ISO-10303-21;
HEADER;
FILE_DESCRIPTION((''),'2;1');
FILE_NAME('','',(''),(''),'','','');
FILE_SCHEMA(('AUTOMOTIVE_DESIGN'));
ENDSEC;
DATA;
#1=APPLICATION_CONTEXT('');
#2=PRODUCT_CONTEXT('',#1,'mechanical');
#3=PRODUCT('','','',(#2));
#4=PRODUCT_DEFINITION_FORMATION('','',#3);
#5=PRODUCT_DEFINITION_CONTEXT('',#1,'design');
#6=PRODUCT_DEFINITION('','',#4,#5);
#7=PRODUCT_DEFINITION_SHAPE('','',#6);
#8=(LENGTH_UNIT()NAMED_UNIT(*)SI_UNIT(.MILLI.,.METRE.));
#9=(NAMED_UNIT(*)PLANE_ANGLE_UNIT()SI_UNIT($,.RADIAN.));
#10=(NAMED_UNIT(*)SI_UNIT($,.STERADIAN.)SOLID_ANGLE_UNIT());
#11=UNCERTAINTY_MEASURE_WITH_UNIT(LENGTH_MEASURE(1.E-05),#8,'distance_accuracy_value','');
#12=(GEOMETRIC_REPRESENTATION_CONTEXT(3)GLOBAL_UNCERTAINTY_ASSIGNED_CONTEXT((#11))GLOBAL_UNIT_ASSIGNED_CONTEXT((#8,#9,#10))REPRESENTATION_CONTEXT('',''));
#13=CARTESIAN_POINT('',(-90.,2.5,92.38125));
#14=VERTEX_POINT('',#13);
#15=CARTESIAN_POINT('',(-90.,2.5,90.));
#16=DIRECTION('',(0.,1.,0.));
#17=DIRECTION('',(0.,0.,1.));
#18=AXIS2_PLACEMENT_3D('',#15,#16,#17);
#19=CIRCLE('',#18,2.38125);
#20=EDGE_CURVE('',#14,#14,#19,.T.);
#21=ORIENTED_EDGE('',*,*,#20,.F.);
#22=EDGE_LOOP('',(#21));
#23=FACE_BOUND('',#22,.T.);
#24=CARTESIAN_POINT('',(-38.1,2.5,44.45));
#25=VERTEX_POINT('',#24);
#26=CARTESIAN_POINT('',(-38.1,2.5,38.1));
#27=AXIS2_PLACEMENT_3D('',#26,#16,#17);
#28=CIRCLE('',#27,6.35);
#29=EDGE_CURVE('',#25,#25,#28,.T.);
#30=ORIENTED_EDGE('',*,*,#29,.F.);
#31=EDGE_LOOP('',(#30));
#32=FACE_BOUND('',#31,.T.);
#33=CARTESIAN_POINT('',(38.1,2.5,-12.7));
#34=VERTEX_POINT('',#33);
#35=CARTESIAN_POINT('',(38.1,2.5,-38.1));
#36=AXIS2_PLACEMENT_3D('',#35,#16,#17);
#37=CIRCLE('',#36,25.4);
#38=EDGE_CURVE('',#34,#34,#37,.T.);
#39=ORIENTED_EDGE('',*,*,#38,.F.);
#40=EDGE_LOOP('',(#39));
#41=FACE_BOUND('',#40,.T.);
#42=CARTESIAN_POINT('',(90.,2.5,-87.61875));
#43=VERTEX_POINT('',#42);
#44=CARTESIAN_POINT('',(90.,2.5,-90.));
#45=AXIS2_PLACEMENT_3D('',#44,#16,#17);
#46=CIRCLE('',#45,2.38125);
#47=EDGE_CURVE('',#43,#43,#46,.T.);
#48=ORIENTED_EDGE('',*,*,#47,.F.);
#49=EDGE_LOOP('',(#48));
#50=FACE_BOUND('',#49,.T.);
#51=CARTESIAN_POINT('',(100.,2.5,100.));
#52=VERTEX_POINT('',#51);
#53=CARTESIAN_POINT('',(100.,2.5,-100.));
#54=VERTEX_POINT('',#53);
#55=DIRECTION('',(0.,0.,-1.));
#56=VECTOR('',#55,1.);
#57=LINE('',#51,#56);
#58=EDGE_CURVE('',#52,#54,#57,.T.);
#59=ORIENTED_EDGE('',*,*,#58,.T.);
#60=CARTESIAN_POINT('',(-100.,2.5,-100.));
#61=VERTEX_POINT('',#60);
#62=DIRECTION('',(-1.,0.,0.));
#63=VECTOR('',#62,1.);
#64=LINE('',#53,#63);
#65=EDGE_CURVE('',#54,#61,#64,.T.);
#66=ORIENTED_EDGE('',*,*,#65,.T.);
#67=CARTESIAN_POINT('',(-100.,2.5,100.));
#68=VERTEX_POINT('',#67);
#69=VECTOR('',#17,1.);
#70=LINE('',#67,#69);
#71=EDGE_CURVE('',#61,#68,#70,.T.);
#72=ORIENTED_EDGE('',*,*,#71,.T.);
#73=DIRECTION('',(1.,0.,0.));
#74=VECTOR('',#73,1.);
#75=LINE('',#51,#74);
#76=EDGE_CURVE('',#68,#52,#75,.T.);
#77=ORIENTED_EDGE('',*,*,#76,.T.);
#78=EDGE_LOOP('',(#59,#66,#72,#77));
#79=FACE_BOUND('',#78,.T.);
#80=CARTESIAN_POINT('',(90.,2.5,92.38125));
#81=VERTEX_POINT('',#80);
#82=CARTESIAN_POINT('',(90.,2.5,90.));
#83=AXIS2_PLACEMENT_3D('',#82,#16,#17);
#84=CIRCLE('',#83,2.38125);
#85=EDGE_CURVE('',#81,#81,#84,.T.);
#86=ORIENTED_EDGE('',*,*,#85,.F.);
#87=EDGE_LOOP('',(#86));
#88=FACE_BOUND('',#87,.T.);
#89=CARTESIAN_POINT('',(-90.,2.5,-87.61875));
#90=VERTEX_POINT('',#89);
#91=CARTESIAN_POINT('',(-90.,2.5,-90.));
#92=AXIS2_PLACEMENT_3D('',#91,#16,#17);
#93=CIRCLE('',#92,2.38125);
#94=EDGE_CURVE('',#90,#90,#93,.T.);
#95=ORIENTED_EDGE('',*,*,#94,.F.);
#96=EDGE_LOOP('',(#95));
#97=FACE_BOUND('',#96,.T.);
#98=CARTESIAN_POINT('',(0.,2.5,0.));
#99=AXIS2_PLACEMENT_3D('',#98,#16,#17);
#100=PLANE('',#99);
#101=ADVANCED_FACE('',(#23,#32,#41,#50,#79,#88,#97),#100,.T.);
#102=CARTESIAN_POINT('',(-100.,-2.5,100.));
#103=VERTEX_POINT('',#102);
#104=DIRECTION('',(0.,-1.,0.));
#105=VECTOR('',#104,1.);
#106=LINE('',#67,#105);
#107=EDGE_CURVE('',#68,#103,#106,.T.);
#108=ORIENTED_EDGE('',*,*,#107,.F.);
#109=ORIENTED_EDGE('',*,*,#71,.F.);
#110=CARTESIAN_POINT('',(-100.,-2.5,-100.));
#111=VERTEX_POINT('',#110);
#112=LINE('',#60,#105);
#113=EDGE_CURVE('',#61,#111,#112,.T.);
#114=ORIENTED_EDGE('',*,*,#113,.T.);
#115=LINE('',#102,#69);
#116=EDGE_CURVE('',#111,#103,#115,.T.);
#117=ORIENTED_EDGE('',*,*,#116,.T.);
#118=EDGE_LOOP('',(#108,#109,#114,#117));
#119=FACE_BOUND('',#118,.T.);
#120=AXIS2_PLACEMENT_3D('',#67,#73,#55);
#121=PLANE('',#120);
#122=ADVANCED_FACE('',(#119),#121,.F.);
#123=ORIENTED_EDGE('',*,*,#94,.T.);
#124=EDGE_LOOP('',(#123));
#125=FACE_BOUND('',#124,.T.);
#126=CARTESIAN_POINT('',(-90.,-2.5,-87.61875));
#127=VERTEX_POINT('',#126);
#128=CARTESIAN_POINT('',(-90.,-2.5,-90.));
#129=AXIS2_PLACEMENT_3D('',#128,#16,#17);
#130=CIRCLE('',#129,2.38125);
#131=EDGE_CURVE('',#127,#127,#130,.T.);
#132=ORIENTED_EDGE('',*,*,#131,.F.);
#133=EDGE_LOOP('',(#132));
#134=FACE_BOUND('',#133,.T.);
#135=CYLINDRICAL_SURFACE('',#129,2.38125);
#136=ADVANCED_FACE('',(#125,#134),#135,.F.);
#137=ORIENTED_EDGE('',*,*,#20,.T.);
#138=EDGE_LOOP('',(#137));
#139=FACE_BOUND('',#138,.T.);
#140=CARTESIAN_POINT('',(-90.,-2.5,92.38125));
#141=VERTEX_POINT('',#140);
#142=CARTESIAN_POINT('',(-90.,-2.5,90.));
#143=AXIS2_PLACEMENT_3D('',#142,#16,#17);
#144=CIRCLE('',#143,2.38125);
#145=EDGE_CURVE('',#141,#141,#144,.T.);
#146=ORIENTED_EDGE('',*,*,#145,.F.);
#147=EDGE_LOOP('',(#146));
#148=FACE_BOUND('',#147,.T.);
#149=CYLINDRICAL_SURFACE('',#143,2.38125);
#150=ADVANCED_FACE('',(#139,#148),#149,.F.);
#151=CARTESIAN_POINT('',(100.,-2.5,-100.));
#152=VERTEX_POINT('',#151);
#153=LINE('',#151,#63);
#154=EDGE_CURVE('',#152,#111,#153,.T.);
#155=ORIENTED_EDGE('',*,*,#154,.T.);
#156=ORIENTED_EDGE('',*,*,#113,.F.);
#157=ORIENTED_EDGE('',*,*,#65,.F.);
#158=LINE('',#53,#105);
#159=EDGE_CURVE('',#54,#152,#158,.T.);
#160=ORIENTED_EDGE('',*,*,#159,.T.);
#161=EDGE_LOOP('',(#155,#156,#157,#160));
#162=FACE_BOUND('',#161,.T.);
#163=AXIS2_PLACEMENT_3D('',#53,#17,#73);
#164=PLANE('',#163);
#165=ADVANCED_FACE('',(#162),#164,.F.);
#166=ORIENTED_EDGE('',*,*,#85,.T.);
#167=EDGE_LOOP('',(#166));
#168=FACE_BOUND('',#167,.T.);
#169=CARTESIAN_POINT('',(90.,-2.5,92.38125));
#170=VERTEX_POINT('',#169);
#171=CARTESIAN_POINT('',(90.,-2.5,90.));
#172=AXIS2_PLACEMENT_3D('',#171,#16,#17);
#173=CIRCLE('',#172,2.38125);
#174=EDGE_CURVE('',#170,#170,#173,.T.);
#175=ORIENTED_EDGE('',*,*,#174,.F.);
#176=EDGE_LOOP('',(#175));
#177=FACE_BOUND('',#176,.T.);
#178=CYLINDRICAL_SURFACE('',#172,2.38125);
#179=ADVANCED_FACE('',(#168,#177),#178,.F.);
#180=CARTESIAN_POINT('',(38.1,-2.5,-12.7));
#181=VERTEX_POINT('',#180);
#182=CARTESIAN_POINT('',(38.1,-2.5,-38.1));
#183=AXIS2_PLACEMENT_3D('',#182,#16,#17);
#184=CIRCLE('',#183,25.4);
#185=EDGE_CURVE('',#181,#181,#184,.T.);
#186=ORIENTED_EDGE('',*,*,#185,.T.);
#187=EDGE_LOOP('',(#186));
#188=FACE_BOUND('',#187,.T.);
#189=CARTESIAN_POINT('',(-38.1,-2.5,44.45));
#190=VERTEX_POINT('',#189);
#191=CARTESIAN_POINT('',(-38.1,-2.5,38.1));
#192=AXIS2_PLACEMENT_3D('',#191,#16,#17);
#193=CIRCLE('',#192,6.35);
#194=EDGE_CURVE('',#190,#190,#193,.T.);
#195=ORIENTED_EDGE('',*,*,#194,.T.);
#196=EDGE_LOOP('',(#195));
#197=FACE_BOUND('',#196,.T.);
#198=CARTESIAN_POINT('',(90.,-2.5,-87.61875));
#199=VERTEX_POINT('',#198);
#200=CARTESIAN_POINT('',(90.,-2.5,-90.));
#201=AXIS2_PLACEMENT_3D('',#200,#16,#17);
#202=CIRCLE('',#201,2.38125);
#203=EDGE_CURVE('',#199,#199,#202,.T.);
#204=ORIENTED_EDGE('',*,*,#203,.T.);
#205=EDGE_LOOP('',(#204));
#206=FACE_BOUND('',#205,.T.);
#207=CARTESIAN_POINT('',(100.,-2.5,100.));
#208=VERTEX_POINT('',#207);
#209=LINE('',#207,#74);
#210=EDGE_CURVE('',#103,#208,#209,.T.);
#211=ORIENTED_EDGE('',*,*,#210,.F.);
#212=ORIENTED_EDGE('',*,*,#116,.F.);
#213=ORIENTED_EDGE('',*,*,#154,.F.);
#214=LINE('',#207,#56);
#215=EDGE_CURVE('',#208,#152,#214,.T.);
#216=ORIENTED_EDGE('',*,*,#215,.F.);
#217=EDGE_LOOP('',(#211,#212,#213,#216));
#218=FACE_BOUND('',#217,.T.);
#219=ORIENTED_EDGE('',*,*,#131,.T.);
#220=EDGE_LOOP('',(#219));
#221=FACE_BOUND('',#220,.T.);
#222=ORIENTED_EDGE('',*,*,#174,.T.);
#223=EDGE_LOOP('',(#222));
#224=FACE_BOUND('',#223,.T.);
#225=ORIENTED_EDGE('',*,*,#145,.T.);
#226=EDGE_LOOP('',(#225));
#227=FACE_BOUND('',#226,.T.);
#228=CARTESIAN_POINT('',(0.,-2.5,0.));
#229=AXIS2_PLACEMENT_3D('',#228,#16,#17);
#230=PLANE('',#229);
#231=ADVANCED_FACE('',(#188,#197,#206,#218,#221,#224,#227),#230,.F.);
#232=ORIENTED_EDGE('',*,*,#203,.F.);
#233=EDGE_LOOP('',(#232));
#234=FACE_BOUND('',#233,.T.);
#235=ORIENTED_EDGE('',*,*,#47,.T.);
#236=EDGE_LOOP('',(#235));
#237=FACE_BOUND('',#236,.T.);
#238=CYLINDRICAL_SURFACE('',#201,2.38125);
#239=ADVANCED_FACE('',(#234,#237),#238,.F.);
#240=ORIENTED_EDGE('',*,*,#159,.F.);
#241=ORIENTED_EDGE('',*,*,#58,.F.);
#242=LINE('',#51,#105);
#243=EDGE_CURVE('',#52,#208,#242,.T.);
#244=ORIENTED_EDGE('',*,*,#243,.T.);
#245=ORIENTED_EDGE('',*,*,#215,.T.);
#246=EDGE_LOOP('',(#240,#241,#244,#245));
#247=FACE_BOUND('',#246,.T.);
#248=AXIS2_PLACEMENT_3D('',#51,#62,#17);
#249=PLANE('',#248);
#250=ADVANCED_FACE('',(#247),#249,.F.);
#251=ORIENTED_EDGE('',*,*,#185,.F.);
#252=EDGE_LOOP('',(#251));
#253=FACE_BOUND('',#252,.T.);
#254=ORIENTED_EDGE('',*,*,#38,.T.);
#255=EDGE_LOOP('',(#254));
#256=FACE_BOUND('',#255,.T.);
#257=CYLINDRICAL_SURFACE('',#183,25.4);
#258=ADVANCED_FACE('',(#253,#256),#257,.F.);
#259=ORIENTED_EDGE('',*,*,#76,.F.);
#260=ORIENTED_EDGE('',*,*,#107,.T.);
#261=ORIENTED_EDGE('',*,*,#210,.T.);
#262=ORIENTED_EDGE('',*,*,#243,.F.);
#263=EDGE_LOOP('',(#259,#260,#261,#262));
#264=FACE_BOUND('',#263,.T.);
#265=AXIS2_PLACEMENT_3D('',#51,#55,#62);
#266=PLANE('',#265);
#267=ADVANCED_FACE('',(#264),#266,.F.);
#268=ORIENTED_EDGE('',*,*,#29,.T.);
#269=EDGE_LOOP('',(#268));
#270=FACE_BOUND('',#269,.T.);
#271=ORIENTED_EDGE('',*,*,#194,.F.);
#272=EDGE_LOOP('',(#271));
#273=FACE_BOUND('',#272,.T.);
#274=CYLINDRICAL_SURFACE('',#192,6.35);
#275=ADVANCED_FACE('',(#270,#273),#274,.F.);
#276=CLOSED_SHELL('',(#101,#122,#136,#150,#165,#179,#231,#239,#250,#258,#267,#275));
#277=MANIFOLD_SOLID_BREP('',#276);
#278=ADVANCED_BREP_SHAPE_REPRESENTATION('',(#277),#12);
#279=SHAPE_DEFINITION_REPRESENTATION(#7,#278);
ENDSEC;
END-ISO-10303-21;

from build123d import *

# Parameters (mm, degrees)
SKETCH1_W           = 200
SKETCH1_H           = 200
BOSS_EXTRUDE1_DEPTH = 2.5
SKETCH2_R           = 2.38125
CUT_EXTRUDE1_DEPTH  = 5
SKETCH3_R           = 6.35
CUT_EXTRUDE2_DEPTH  = 5
SKETCH4_R           = 25.4
CUT_EXTRUDE3_DEPTH  = 142.509716981


with BuildPart() as part:
    # Sketch1 → Boss-Extrude1 (new, symmetric)
    with BuildSketch(Plane(origin=(0, 0, 0), x_dir=(1, 0, 0), z_dir=(0, 1, 0))):
        Rectangle(SKETCH1_W, SKETCH1_H)
    extrude(amount=BOSS_EXTRUDE1_DEPTH, both=True)

    # Sketch2 → Cut-Extrude1 (cut)
    with BuildSketch(Plane(origin=(0, 2.5, 0), x_dir=(1, 0, 0), z_dir=(0, 1, 0))):
        with Locations(Location((-90, 90, 0), (0, 0, 270))):
            Circle(SKETCH2_R)
        with Locations(Location((90, 90, 0), (0, 0, 270))):
            Circle(SKETCH2_R)
        with Locations(Location((-90, -90, 0), (0, 0, 270))):
            Circle(SKETCH2_R)
        with Locations(Location((90, -90, 0), (0, 0, 270))):
            Circle(SKETCH2_R)
    extrude(amount=-CUT_EXTRUDE1_DEPTH, mode=Mode.SUBTRACT)

    # Sketch3 → Cut-Extrude2 (cut)
    with BuildSketch(Plane(origin=(0, 2.5, 0), x_dir=(1, 0, 0), z_dir=(0, 1, 0))):
        with Locations(Location((-38.1, -38.1, 0), (0, 0, 270))):
            Circle(SKETCH3_R)
    extrude(amount=-CUT_EXTRUDE2_DEPTH, mode=Mode.SUBTRACT)

    # Sketch4 → Cut-Extrude3 (cut, through all)
    with BuildSketch(Plane(origin=(0, 2.5, 0), x_dir=(1, 0, 0), z_dir=(0, 1, 0))):
        with Locations(Location((38.1, 38.1, 0), (0, 0, 270))):
            Circle(SKETCH4_R)
    extrude(amount=-CUT_EXTRUDE3_DEPTH, mode=Mode.SUBTRACT)


solid = part.part
